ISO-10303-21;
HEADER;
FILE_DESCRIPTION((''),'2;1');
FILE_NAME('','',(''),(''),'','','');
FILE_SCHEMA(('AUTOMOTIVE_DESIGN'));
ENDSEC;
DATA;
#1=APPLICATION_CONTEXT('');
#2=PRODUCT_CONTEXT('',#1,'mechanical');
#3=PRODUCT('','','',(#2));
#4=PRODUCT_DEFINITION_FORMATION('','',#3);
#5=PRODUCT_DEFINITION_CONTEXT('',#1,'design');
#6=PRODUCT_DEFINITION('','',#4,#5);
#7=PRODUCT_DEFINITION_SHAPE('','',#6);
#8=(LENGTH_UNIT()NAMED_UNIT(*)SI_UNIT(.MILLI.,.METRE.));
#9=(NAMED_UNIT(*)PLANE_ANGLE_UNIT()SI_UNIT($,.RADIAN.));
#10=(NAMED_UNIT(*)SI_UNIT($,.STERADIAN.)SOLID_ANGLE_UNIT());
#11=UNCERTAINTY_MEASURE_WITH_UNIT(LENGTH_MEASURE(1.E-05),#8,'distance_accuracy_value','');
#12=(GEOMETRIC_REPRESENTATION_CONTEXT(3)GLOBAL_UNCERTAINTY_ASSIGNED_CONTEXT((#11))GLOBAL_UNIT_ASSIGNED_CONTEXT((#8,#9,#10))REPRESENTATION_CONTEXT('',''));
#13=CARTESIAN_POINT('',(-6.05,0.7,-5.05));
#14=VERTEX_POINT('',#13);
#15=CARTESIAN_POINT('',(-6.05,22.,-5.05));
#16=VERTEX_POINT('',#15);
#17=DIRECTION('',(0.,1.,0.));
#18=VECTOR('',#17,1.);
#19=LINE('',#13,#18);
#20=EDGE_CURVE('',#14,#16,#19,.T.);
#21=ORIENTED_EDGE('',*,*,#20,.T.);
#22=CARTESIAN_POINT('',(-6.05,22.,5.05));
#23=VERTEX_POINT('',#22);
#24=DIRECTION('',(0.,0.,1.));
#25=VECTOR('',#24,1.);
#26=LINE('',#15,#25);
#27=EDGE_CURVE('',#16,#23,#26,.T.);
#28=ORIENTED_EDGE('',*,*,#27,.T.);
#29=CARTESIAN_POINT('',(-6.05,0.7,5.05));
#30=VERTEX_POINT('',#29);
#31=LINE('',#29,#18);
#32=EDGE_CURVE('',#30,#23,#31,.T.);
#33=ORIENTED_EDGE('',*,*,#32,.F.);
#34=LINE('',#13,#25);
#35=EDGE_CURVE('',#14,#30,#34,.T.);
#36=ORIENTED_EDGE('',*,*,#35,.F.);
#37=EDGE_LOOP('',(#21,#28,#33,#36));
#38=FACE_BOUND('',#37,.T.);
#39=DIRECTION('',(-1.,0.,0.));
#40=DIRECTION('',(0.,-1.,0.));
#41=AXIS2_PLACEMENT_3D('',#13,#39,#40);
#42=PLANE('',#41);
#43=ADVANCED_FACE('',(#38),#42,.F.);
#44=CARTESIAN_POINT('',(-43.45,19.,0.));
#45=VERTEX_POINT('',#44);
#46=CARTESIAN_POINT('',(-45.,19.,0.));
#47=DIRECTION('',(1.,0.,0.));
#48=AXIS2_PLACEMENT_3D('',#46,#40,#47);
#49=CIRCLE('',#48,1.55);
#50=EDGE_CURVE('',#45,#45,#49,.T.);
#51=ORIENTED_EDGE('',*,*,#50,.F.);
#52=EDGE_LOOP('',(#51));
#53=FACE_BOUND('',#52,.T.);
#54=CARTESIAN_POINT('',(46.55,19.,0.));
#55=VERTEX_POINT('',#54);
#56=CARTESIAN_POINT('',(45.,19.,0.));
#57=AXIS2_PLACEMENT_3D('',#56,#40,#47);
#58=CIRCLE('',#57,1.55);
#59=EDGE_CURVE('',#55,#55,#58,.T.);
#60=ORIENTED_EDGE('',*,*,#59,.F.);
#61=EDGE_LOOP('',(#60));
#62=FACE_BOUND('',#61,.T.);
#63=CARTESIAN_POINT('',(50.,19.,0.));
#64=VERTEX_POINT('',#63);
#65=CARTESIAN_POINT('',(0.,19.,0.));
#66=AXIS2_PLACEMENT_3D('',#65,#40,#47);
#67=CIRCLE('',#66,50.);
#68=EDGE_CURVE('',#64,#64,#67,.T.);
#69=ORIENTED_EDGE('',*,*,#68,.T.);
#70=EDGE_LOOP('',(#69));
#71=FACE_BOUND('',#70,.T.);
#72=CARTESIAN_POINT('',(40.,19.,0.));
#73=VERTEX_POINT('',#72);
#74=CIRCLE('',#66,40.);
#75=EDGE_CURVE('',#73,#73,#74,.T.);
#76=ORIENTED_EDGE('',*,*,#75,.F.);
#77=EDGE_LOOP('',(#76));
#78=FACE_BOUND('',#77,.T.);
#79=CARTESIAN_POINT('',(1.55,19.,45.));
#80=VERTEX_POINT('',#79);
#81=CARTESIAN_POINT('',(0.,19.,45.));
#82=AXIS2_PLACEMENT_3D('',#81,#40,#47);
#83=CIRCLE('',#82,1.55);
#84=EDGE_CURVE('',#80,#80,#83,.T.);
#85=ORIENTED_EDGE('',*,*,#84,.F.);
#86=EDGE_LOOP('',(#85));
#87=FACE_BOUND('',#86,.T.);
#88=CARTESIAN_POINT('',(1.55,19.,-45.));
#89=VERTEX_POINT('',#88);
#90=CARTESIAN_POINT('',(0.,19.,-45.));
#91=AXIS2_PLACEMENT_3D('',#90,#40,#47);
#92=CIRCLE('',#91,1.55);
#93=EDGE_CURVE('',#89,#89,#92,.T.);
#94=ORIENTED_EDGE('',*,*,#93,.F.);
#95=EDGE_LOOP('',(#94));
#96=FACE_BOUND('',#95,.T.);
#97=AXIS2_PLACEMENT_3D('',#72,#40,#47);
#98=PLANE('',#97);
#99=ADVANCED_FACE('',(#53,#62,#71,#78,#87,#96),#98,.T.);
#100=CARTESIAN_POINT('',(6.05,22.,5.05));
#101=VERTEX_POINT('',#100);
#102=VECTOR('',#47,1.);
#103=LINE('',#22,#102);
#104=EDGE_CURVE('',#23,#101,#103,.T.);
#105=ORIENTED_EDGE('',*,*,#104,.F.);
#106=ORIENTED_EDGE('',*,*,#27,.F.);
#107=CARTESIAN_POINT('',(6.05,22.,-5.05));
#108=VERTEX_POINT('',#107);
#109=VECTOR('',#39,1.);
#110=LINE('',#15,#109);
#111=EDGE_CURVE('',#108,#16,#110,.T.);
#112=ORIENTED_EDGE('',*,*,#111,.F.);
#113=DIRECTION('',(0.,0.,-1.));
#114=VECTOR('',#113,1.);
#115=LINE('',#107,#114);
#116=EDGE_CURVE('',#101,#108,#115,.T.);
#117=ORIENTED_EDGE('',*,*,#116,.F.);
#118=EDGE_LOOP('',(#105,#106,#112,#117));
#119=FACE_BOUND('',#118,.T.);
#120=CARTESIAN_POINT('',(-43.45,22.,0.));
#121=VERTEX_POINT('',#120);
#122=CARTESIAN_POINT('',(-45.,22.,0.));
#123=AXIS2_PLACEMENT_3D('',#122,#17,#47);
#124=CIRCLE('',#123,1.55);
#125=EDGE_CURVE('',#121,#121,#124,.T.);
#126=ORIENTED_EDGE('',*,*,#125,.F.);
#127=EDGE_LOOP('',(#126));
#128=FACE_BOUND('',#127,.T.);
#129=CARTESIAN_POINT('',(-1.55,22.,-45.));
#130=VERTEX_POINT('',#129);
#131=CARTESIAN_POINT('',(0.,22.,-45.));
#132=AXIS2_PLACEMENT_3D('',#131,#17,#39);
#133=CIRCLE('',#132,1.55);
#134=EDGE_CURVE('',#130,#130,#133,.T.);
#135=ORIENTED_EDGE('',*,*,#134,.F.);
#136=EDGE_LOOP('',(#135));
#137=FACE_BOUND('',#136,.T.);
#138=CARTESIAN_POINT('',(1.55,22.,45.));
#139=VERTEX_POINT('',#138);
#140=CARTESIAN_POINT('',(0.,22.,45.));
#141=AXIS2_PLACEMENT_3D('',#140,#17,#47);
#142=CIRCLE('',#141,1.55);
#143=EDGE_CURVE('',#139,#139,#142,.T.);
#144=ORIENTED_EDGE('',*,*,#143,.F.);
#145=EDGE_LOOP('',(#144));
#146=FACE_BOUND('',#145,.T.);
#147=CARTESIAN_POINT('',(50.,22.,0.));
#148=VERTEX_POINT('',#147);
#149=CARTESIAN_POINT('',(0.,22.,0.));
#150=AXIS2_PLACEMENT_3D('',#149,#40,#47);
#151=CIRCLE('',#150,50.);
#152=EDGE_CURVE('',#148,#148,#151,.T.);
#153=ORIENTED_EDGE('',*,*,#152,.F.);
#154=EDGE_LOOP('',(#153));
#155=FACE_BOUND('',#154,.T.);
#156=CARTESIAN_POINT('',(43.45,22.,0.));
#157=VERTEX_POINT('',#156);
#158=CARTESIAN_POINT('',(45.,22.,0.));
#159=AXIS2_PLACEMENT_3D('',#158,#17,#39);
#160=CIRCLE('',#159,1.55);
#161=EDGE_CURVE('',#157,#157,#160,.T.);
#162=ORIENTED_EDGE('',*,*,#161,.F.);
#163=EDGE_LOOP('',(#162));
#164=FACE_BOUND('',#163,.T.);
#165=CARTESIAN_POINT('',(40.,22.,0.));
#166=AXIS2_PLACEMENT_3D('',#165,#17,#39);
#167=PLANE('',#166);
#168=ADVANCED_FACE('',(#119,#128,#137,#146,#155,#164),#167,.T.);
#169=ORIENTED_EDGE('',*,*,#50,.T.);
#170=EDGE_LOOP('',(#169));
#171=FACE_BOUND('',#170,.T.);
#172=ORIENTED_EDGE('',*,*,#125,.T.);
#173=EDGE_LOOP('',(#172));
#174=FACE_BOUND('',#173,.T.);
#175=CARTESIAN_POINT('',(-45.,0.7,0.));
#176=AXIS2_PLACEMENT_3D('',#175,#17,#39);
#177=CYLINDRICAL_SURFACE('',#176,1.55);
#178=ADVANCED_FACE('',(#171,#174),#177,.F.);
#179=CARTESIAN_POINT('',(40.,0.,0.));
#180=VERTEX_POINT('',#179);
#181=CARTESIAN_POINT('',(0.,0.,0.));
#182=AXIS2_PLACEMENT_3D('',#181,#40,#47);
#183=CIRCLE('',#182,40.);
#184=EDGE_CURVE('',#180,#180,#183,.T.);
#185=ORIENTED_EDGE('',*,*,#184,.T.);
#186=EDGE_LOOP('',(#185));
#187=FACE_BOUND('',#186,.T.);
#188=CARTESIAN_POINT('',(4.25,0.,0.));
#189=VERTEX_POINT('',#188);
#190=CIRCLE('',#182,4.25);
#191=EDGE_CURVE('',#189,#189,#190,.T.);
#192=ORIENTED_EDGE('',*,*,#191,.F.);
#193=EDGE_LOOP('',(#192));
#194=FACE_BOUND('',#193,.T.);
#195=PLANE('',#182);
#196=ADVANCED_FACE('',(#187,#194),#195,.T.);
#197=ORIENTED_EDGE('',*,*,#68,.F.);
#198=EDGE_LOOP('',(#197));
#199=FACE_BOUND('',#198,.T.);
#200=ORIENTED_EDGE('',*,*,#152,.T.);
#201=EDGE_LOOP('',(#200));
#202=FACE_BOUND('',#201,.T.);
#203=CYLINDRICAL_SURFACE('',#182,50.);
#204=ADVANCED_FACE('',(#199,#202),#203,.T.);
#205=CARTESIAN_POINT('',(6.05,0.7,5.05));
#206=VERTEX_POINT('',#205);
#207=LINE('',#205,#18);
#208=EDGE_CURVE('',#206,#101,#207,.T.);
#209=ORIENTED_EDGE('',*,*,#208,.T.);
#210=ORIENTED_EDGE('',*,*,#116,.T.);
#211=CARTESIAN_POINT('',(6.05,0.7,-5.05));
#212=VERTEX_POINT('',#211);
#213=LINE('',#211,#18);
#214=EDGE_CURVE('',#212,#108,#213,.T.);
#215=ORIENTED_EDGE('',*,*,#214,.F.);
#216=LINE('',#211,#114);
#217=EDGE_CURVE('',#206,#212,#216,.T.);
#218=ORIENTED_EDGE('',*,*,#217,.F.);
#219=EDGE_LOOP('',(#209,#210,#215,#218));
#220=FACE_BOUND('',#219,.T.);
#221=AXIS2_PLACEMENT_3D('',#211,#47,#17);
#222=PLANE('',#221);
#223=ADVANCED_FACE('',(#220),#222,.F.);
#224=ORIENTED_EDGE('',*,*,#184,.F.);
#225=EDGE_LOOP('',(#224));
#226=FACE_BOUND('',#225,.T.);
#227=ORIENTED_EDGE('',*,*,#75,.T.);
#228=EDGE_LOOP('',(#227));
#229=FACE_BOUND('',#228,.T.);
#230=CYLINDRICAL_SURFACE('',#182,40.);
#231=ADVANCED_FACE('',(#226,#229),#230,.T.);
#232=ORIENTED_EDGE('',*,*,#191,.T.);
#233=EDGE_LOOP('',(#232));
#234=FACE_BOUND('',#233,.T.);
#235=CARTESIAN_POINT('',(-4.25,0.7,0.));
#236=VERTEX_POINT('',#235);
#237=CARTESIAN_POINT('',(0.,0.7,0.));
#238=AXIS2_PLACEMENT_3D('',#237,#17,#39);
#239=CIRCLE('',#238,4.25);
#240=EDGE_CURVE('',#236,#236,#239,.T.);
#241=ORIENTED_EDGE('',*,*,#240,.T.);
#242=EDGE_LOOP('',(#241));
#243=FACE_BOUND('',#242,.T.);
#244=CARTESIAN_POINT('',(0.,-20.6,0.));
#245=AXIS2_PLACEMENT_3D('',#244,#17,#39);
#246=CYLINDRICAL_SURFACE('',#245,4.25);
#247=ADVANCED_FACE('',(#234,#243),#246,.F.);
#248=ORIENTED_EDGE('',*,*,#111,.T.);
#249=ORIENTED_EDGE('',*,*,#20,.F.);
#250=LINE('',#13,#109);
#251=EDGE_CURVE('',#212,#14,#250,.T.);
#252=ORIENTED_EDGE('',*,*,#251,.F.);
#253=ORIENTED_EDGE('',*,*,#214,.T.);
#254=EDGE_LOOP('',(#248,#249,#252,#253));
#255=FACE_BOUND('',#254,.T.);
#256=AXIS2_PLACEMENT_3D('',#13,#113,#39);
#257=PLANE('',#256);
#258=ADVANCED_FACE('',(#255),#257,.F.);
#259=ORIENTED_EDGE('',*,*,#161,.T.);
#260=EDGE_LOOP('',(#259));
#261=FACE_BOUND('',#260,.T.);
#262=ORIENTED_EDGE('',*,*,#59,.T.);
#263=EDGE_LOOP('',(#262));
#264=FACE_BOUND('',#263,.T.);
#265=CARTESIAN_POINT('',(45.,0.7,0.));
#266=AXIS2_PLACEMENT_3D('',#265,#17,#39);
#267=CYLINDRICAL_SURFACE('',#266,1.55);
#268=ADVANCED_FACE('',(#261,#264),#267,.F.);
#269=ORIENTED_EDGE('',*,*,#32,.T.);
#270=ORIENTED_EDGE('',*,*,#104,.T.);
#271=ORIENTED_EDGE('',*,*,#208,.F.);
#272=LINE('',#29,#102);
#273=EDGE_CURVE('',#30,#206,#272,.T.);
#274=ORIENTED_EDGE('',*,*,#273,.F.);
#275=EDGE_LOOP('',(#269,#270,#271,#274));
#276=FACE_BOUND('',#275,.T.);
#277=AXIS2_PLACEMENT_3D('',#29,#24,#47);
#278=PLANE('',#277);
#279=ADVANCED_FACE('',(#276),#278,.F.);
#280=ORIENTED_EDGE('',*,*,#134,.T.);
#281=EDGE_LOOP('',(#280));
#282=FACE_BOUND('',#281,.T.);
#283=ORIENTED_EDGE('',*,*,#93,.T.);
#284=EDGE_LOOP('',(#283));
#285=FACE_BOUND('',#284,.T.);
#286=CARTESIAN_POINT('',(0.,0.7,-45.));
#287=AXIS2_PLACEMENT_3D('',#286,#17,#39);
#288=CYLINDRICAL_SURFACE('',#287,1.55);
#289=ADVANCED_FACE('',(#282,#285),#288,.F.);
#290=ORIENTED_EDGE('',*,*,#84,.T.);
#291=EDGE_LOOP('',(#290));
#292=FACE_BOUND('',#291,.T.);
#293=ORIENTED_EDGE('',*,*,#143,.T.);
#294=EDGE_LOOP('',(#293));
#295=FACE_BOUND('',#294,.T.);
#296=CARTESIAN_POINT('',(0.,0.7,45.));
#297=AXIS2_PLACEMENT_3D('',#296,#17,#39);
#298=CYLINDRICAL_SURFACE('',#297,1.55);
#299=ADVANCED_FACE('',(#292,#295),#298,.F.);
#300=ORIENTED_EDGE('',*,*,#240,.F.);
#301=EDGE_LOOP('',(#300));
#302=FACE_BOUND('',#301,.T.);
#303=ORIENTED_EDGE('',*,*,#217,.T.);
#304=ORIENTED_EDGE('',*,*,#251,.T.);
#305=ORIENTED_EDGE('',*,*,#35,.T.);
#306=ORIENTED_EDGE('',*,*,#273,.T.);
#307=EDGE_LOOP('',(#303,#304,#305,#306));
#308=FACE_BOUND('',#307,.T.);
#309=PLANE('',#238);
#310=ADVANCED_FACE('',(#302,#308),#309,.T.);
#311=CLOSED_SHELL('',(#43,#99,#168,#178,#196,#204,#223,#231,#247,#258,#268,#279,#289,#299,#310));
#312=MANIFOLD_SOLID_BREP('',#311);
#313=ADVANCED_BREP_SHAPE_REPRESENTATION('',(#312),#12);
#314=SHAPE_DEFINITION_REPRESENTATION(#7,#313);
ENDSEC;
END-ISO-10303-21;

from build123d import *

# Parameters (mm, degrees)
ESQUISSE2_W             = 12.1
ESQUISSE2_H             = 10.1
ENL_V_MAT_EXTRU_1_DEPTH = 21.3
ESQUISSE3_R             = 1.55
ENL_V_MAT_EXTRU_2_DEPTH = 21.3
ESQUISSE5_R             = 4.25
ENL_V_MAT_EXTRU_3_DEPTH = 21.3


with BuildPart() as part:
    # Esquisse1 → Révolution1 (revolve)
    with BuildSketch(Plane.XY):
        Polygon((0, 0), (40, 0), (40, 19), (50, 19), (50, 22), (40, 22), (0, 22), align=None)
    revolve(axis=Axis((0, 0, 0), (0, 1, 0)))

    # Esquisse2 → Enlèv. mat.-Extru.1 (cut)
    with BuildSketch(Plane(origin=(0, 22, 0), x_dir=(1, 0, 0), z_dir=(0, 1, 0))):
        Rectangle(ESQUISSE2_W, ESQUISSE2_H)
    extrude(amount=-ENL_V_MAT_EXTRU_1_DEPTH, mode=Mode.SUBTRACT)

    # Esquisse3 → Enlèv. mat.-Extru.2 (cut)
    with BuildSketch(Plane(origin=(0, 22, 0), x_dir=(1, 0, 0), z_dir=(0, 1, 0))):
        with Locations(Location((45, 0, 0), (0, 0, 180))):
            Circle(ESQUISSE3_R)
        with Locations((-45, 0)):
            Circle(ESQUISSE3_R)
        with Locations(Location((0, 45, 0), (0, 0, 180))):
            Circle(ESQUISSE3_R)
        with Locations((0, -45)):
            Circle(ESQUISSE3_R)
    extrude(amount=-ENL_V_MAT_EXTRU_2_DEPTH, mode=Mode.SUBTRACT)

    # Esquisse5 → Enlèv. mat.-Extru.3 (cut)
    with BuildSketch(Plane(origin=(0, 0.7, 0), x_dir=(1, 0, 0), z_dir=(0, 1, 0))):
        with Locations(Location((0, 0, 0), (0, 0, 180))):
            Circle(ESQUISSE5_R)
    extrude(amount=-ENL_V_MAT_EXTRU_3_DEPTH, mode=Mode.SUBTRACT)


solid = part.part
